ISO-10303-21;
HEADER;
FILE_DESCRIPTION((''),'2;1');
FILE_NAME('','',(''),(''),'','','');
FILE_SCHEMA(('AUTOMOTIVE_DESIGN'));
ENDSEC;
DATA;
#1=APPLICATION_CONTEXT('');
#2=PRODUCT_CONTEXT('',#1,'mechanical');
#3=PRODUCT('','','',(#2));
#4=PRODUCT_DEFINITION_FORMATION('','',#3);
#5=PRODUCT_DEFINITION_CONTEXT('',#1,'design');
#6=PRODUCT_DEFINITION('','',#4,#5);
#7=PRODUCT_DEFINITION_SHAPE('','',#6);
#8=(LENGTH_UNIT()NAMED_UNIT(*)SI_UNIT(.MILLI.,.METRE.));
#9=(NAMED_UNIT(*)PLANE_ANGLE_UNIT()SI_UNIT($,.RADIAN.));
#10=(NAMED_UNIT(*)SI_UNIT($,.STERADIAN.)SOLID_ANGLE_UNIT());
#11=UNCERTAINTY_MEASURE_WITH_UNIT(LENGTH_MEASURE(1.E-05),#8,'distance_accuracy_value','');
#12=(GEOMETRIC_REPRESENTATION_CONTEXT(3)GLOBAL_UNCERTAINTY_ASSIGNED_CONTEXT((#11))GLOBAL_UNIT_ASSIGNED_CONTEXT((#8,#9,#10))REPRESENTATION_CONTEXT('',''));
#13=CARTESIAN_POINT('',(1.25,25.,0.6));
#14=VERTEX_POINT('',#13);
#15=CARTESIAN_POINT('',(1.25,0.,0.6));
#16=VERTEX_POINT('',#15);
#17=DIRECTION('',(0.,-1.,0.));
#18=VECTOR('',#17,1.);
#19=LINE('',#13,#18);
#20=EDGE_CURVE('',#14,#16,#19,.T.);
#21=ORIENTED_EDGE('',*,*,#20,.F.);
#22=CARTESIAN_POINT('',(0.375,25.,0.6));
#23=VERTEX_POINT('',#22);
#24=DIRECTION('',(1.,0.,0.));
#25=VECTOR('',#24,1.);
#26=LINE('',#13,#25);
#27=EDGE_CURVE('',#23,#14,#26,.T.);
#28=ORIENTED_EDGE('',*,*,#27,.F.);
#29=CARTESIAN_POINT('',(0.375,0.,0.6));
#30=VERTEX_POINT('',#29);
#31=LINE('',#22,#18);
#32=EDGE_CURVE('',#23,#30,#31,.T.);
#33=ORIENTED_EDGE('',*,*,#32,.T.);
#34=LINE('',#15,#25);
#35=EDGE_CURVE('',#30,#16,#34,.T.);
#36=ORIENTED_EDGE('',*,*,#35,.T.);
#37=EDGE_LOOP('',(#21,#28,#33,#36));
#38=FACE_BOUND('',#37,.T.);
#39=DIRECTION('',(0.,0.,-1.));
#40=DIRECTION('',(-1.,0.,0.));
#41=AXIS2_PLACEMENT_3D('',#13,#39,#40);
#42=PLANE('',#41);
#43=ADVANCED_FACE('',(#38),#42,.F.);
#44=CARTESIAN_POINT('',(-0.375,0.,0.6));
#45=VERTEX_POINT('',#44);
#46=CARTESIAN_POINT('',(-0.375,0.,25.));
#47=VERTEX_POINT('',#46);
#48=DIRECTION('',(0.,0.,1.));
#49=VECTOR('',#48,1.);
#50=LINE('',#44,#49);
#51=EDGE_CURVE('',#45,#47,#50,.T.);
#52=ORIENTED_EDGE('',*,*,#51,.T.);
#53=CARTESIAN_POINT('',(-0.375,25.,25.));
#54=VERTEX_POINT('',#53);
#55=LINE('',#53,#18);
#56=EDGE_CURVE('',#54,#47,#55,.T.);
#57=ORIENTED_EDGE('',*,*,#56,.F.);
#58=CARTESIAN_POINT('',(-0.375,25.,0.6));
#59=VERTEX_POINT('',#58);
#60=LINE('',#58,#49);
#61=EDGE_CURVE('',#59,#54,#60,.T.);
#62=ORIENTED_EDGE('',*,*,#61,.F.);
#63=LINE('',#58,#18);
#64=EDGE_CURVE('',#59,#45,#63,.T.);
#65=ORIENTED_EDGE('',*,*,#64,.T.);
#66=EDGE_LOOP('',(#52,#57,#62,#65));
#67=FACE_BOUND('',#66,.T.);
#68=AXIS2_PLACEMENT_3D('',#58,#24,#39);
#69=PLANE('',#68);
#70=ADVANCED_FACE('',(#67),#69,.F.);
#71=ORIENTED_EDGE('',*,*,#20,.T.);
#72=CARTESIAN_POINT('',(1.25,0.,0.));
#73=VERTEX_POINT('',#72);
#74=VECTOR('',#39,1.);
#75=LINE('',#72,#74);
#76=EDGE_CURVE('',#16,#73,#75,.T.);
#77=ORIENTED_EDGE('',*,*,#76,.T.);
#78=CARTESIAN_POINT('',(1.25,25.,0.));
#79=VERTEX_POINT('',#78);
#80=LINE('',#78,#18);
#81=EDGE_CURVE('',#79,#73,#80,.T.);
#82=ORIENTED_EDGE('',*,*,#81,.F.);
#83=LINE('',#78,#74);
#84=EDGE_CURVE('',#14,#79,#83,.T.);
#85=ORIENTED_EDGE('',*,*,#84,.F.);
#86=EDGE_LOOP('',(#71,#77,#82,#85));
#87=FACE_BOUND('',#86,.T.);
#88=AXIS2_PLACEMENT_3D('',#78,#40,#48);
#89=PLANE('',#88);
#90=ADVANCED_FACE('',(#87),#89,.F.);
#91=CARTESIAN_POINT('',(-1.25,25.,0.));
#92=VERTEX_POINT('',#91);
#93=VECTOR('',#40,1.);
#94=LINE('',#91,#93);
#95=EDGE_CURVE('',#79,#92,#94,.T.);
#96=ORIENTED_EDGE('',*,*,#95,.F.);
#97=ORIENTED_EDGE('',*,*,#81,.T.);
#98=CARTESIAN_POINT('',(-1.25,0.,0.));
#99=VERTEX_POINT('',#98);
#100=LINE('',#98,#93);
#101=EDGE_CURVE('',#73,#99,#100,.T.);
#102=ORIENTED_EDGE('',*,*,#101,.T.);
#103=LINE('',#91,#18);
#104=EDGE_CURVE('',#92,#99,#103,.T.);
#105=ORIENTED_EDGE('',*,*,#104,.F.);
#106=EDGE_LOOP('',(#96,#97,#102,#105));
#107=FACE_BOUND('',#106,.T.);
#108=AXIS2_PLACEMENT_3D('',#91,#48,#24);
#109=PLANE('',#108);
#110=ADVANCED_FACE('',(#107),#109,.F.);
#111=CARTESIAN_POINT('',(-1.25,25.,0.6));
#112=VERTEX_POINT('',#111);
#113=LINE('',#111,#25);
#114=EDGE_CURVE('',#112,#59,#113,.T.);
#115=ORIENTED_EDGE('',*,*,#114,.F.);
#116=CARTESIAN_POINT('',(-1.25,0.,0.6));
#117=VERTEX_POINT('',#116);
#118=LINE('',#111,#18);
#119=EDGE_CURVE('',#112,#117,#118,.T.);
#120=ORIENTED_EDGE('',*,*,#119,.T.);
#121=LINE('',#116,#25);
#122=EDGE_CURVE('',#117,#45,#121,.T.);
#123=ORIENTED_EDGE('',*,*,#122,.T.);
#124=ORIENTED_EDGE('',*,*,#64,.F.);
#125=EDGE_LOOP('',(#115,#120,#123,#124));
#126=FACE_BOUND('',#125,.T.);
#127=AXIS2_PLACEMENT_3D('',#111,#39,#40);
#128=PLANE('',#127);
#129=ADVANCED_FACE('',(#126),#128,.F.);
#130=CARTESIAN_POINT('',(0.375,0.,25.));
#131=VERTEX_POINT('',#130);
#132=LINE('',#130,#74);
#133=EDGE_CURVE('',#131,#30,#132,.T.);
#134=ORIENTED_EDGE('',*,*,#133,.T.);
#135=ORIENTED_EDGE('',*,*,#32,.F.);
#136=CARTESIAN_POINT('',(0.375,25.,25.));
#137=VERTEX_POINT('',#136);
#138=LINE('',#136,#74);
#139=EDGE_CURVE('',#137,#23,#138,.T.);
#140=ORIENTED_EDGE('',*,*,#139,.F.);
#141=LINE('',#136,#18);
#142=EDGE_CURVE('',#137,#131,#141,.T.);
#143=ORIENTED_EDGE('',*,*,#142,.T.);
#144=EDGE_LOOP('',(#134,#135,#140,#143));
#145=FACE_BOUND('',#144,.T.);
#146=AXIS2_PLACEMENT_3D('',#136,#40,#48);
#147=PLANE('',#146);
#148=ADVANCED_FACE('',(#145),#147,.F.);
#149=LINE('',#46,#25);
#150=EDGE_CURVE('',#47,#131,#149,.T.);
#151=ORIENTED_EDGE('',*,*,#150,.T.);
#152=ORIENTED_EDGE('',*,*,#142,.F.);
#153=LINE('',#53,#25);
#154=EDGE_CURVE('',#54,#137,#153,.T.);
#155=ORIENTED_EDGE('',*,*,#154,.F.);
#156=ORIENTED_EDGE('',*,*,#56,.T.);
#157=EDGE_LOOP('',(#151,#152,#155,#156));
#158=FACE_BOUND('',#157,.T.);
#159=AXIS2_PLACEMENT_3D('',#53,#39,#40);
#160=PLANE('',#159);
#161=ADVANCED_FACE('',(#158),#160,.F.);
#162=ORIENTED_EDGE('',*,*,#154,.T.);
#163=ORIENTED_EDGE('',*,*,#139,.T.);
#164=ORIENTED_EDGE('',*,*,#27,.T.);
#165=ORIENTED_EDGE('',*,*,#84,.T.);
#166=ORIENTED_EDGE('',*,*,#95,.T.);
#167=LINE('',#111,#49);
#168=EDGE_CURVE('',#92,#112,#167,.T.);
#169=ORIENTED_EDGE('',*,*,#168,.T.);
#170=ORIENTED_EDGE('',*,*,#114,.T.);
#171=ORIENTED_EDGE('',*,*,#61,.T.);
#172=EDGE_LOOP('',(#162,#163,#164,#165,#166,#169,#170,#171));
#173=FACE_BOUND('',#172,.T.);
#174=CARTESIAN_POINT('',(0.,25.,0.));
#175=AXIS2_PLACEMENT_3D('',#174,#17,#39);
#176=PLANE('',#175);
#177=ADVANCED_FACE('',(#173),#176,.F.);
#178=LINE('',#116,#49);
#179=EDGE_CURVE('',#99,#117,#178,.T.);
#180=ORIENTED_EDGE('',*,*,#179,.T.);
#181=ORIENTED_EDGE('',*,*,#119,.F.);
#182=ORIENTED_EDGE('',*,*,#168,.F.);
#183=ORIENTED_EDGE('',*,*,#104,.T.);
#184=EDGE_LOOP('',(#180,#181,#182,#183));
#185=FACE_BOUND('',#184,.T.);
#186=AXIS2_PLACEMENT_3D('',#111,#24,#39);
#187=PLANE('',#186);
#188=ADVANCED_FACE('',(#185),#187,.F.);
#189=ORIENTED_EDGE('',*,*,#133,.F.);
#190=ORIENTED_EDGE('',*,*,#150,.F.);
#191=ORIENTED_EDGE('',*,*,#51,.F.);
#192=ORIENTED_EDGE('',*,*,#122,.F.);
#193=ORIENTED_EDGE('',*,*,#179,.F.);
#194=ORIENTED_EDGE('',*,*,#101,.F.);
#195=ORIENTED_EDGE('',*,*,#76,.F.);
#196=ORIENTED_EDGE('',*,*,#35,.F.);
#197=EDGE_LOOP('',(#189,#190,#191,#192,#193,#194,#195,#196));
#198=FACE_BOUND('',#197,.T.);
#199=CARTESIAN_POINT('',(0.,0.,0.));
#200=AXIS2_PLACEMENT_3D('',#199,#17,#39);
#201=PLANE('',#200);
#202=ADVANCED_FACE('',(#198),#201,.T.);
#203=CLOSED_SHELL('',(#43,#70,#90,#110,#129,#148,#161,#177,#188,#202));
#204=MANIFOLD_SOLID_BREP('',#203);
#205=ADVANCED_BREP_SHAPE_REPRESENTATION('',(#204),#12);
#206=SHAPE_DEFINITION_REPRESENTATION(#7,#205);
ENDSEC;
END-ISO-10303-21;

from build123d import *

# Parameters (mm, degrees)
BOSS_EXTRUDE1_DEPTH = 25


with BuildPart() as part:
    # Sketch1 → Boss-Extrude1 (new body)
    with BuildSketch(Plane(origin=(0, 0, 0), x_dir=(1, 0, 0), z_dir=(0, 1, 0))):
        Polygon((-1.25, 0), (1.25, 0), (1.25, -0.6), (0.375, -0.6), (0.375, -25), (-0.375, -25), (-0.375, -0.6), (-1.25, -0.6), align=None)
    extrude(amount=BOSS_EXTRUDE1_DEPTH)


solid = part.part
